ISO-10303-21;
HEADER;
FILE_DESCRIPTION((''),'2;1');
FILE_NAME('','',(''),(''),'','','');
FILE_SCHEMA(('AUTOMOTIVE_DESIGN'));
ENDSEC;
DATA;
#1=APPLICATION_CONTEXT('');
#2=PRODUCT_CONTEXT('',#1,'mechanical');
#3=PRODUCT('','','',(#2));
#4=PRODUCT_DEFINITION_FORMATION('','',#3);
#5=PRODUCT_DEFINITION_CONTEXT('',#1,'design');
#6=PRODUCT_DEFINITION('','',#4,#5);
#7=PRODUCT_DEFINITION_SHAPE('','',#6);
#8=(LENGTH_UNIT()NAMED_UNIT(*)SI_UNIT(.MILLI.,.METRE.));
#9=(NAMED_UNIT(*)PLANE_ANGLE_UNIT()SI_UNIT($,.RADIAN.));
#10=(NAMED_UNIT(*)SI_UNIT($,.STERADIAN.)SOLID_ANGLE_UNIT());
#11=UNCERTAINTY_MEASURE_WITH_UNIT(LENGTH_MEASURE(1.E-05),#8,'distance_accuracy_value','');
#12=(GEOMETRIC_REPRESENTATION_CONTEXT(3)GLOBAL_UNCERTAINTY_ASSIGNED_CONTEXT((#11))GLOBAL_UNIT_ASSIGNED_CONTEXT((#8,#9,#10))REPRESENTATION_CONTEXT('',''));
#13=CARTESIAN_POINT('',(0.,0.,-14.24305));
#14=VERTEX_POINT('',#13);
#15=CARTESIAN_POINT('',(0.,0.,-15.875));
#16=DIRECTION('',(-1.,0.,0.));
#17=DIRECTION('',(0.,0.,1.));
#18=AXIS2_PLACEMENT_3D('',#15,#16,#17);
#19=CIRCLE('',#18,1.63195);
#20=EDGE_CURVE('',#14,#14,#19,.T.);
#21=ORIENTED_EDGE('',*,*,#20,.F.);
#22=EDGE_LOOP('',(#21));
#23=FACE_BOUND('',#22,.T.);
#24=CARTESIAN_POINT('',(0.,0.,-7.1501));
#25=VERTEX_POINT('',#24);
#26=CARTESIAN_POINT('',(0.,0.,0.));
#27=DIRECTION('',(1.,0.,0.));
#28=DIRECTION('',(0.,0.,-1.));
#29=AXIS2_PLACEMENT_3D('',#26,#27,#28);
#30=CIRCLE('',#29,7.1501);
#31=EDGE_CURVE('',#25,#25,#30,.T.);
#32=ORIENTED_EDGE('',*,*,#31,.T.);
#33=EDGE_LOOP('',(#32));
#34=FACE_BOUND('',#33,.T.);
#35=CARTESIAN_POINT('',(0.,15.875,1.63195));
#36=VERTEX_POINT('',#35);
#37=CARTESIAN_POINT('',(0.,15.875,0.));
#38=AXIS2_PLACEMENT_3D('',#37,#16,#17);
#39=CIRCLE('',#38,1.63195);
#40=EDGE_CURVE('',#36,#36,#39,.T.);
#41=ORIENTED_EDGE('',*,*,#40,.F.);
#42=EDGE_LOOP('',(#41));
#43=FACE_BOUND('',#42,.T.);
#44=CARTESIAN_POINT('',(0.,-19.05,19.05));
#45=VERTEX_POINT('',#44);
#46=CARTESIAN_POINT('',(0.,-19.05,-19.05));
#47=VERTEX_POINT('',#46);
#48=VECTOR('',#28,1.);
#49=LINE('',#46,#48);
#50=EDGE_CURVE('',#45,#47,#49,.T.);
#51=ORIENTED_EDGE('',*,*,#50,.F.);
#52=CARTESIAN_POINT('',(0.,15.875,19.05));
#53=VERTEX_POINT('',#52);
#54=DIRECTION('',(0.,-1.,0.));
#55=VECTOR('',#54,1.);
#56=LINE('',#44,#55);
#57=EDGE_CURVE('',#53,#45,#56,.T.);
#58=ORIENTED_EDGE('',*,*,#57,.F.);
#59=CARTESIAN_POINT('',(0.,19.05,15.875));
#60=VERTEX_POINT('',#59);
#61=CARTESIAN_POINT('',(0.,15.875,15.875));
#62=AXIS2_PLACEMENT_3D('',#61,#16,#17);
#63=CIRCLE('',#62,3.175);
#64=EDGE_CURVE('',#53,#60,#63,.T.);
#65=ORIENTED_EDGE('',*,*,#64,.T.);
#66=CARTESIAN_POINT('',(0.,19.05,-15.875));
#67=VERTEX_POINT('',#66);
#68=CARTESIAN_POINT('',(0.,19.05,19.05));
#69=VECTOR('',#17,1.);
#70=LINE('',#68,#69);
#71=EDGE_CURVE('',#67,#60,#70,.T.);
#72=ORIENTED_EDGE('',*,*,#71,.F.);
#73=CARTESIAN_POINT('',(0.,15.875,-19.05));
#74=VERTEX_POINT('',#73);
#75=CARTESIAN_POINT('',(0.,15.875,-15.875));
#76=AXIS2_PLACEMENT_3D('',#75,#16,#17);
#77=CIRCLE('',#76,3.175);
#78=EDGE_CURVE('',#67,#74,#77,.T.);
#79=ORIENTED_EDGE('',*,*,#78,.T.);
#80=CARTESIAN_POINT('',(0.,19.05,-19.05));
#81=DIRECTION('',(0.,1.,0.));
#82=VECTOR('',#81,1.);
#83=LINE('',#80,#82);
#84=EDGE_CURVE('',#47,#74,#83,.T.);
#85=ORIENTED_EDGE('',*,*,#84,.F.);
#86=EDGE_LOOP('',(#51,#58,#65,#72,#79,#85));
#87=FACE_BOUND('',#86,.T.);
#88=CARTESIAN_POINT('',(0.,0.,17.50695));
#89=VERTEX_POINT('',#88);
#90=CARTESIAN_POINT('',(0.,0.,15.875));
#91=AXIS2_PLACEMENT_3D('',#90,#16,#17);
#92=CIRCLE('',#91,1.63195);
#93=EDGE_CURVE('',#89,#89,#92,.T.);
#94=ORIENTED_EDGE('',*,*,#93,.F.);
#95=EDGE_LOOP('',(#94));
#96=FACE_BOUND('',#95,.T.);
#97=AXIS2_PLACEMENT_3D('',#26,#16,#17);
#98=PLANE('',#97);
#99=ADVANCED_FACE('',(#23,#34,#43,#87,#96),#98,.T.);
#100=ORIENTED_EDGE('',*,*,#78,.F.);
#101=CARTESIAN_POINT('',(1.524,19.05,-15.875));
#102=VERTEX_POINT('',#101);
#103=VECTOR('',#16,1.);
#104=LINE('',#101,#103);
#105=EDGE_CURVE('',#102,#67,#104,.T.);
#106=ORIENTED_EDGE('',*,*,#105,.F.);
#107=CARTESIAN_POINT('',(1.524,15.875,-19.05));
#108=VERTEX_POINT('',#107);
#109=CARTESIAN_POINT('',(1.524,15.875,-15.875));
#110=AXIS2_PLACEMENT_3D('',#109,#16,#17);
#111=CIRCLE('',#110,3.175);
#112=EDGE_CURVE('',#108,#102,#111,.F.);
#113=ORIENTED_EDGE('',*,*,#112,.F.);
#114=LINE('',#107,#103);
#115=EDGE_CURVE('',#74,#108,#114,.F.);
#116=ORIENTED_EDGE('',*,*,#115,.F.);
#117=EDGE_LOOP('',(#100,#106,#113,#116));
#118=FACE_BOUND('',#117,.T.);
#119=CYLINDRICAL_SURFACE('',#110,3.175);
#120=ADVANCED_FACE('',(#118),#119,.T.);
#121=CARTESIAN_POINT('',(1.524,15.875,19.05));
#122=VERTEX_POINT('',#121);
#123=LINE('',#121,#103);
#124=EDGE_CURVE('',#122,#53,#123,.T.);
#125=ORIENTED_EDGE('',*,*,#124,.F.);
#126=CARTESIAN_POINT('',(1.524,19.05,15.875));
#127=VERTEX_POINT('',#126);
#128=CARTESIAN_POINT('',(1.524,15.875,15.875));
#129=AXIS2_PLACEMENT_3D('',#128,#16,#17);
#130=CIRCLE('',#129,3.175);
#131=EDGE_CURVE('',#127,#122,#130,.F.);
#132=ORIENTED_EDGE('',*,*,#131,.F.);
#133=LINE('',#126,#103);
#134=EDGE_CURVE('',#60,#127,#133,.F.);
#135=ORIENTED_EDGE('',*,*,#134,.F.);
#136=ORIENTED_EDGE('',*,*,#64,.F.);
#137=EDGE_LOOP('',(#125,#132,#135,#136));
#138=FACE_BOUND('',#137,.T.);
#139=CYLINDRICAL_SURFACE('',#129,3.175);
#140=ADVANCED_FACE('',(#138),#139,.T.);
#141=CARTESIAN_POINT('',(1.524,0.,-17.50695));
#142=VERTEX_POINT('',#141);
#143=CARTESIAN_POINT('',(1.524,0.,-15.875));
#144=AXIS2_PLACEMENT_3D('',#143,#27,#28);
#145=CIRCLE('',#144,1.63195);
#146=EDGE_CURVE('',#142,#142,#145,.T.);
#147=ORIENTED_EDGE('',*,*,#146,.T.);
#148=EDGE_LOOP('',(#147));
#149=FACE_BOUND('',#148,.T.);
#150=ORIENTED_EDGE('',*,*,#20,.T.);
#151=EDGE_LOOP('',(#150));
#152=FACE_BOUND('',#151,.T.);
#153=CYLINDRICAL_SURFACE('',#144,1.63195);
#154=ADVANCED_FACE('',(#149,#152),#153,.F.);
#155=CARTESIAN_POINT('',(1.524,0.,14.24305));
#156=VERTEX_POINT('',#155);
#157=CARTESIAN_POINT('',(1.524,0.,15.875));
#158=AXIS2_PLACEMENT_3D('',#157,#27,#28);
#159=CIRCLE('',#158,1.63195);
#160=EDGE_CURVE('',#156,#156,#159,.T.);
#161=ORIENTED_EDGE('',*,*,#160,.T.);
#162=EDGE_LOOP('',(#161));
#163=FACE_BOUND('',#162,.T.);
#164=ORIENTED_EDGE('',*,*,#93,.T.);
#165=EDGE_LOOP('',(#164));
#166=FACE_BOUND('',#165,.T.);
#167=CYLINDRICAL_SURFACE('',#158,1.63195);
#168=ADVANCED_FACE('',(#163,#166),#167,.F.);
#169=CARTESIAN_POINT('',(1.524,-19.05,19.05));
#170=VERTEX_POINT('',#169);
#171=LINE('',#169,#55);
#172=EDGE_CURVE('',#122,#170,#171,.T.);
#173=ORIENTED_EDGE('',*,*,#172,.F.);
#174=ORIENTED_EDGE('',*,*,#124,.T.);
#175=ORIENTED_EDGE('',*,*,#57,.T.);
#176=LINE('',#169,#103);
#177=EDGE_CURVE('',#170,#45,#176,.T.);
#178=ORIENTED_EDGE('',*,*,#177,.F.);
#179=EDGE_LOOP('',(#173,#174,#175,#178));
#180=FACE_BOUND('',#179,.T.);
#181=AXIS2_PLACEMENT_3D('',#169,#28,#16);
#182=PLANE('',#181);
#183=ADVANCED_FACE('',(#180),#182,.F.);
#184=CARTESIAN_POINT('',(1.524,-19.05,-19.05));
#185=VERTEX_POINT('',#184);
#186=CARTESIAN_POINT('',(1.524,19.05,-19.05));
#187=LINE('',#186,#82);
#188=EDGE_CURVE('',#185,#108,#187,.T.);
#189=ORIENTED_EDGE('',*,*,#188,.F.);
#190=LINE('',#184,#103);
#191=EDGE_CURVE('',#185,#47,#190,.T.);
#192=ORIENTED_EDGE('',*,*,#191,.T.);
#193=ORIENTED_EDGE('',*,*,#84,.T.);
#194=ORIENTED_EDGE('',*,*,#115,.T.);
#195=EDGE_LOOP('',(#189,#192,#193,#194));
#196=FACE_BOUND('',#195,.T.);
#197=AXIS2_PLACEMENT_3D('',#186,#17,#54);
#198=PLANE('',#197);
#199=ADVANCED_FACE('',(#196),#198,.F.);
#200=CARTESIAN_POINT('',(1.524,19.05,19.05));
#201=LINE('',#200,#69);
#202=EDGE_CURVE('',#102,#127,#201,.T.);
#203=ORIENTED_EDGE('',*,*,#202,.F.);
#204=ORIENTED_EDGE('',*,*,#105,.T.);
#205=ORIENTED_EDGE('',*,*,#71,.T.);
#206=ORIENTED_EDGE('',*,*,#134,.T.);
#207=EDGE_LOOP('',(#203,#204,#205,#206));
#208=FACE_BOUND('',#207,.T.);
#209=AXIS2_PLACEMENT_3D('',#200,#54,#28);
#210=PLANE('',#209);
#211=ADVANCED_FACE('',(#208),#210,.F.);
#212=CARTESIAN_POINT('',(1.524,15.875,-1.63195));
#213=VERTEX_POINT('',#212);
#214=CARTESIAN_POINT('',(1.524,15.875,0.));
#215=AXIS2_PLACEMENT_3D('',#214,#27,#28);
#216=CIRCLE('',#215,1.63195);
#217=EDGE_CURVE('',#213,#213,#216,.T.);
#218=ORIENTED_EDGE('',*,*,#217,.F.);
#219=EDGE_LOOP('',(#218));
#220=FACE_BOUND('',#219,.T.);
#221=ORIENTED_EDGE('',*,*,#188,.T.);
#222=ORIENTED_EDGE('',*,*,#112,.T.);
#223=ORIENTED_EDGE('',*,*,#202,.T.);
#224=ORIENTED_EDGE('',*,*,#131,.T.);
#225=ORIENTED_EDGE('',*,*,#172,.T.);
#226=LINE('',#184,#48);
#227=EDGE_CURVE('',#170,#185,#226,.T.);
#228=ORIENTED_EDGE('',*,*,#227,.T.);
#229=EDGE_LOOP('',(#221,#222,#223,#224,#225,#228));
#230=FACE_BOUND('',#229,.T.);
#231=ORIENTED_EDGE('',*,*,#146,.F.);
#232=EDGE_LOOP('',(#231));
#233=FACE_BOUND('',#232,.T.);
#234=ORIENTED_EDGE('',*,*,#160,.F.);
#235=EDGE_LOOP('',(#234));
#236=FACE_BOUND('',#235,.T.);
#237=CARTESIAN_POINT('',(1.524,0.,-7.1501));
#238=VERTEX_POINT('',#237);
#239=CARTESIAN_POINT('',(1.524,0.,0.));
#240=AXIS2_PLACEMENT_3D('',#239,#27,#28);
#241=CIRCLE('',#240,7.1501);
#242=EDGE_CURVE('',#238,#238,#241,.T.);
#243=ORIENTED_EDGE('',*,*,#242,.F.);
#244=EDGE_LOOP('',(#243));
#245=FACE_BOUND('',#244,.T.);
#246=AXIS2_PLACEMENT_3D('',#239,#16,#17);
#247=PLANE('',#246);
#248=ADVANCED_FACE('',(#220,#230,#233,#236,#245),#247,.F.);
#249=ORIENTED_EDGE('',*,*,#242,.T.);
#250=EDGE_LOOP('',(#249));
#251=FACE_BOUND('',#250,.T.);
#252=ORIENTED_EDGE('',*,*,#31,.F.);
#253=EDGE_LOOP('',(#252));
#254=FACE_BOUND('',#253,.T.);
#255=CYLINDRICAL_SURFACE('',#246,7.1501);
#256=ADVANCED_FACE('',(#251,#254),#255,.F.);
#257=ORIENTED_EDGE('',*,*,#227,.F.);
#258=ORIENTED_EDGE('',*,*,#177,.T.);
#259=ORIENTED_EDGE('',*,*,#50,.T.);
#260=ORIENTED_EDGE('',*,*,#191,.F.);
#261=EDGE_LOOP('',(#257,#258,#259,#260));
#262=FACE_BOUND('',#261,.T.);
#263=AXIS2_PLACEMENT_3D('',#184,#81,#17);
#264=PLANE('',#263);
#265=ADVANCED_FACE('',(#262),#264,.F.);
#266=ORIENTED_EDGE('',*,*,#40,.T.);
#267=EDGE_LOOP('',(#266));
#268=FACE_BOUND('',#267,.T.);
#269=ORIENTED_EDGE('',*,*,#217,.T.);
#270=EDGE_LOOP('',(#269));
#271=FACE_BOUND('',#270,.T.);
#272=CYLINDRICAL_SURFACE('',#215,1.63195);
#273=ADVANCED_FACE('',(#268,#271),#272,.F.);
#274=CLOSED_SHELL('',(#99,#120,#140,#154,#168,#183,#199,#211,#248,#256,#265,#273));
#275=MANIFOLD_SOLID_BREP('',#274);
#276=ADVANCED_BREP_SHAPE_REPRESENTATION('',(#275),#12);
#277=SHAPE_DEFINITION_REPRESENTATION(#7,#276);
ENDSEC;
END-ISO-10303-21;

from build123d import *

# Parameters (mm, degrees)
SKETCH1_W                 = 38.1
SKETCH1_H                 = 38.1
SKETCH1_R                 = 7.1501
BOSS_EXTRUDE1_DEPTH       = 1.524
F_4_CLEARANCE_HOLE1_D     = 3.2639
F_4_CLEARANCE_HOLE1_DEPTH = 1.524
FILLET1_R                 = 3.175


with BuildPart() as part:
    # Sketch1 → Boss-Extrude1 (new body)
    with BuildSketch(Plane(origin=(0, 0, 0), x_dir=(0, 0, -1), z_dir=(1, 0, 0))):
        Rectangle(SKETCH1_W, SKETCH1_H)
        Circle(SKETCH1_R, mode=Mode.SUBTRACT)
    extrude(amount=BOSS_EXTRUDE1_DEPTH)

    # #4 Clearance Hole1
    with Locations(Plane(origin=(1.524, 0, 0), x_dir=(0, 0, -1), z_dir=(1, 0, 0))):
        with Locations((-15.875, 0), (15.875, 0), (0, 15.875)):
            Hole(F_4_CLEARANCE_HOLE1_D / 2, depth=F_4_CLEARANCE_HOLE1_DEPTH)

    # Fillet1
    fillet1_edges = [part.edges().sort_by_distance(p)[0] for p in [
        (0.762, 19.05, 19.05),
        (0.762, 19.05, -19.05),
    ]]
    fillet(fillet1_edges, radius=FILLET1_R)


solid = part.part
